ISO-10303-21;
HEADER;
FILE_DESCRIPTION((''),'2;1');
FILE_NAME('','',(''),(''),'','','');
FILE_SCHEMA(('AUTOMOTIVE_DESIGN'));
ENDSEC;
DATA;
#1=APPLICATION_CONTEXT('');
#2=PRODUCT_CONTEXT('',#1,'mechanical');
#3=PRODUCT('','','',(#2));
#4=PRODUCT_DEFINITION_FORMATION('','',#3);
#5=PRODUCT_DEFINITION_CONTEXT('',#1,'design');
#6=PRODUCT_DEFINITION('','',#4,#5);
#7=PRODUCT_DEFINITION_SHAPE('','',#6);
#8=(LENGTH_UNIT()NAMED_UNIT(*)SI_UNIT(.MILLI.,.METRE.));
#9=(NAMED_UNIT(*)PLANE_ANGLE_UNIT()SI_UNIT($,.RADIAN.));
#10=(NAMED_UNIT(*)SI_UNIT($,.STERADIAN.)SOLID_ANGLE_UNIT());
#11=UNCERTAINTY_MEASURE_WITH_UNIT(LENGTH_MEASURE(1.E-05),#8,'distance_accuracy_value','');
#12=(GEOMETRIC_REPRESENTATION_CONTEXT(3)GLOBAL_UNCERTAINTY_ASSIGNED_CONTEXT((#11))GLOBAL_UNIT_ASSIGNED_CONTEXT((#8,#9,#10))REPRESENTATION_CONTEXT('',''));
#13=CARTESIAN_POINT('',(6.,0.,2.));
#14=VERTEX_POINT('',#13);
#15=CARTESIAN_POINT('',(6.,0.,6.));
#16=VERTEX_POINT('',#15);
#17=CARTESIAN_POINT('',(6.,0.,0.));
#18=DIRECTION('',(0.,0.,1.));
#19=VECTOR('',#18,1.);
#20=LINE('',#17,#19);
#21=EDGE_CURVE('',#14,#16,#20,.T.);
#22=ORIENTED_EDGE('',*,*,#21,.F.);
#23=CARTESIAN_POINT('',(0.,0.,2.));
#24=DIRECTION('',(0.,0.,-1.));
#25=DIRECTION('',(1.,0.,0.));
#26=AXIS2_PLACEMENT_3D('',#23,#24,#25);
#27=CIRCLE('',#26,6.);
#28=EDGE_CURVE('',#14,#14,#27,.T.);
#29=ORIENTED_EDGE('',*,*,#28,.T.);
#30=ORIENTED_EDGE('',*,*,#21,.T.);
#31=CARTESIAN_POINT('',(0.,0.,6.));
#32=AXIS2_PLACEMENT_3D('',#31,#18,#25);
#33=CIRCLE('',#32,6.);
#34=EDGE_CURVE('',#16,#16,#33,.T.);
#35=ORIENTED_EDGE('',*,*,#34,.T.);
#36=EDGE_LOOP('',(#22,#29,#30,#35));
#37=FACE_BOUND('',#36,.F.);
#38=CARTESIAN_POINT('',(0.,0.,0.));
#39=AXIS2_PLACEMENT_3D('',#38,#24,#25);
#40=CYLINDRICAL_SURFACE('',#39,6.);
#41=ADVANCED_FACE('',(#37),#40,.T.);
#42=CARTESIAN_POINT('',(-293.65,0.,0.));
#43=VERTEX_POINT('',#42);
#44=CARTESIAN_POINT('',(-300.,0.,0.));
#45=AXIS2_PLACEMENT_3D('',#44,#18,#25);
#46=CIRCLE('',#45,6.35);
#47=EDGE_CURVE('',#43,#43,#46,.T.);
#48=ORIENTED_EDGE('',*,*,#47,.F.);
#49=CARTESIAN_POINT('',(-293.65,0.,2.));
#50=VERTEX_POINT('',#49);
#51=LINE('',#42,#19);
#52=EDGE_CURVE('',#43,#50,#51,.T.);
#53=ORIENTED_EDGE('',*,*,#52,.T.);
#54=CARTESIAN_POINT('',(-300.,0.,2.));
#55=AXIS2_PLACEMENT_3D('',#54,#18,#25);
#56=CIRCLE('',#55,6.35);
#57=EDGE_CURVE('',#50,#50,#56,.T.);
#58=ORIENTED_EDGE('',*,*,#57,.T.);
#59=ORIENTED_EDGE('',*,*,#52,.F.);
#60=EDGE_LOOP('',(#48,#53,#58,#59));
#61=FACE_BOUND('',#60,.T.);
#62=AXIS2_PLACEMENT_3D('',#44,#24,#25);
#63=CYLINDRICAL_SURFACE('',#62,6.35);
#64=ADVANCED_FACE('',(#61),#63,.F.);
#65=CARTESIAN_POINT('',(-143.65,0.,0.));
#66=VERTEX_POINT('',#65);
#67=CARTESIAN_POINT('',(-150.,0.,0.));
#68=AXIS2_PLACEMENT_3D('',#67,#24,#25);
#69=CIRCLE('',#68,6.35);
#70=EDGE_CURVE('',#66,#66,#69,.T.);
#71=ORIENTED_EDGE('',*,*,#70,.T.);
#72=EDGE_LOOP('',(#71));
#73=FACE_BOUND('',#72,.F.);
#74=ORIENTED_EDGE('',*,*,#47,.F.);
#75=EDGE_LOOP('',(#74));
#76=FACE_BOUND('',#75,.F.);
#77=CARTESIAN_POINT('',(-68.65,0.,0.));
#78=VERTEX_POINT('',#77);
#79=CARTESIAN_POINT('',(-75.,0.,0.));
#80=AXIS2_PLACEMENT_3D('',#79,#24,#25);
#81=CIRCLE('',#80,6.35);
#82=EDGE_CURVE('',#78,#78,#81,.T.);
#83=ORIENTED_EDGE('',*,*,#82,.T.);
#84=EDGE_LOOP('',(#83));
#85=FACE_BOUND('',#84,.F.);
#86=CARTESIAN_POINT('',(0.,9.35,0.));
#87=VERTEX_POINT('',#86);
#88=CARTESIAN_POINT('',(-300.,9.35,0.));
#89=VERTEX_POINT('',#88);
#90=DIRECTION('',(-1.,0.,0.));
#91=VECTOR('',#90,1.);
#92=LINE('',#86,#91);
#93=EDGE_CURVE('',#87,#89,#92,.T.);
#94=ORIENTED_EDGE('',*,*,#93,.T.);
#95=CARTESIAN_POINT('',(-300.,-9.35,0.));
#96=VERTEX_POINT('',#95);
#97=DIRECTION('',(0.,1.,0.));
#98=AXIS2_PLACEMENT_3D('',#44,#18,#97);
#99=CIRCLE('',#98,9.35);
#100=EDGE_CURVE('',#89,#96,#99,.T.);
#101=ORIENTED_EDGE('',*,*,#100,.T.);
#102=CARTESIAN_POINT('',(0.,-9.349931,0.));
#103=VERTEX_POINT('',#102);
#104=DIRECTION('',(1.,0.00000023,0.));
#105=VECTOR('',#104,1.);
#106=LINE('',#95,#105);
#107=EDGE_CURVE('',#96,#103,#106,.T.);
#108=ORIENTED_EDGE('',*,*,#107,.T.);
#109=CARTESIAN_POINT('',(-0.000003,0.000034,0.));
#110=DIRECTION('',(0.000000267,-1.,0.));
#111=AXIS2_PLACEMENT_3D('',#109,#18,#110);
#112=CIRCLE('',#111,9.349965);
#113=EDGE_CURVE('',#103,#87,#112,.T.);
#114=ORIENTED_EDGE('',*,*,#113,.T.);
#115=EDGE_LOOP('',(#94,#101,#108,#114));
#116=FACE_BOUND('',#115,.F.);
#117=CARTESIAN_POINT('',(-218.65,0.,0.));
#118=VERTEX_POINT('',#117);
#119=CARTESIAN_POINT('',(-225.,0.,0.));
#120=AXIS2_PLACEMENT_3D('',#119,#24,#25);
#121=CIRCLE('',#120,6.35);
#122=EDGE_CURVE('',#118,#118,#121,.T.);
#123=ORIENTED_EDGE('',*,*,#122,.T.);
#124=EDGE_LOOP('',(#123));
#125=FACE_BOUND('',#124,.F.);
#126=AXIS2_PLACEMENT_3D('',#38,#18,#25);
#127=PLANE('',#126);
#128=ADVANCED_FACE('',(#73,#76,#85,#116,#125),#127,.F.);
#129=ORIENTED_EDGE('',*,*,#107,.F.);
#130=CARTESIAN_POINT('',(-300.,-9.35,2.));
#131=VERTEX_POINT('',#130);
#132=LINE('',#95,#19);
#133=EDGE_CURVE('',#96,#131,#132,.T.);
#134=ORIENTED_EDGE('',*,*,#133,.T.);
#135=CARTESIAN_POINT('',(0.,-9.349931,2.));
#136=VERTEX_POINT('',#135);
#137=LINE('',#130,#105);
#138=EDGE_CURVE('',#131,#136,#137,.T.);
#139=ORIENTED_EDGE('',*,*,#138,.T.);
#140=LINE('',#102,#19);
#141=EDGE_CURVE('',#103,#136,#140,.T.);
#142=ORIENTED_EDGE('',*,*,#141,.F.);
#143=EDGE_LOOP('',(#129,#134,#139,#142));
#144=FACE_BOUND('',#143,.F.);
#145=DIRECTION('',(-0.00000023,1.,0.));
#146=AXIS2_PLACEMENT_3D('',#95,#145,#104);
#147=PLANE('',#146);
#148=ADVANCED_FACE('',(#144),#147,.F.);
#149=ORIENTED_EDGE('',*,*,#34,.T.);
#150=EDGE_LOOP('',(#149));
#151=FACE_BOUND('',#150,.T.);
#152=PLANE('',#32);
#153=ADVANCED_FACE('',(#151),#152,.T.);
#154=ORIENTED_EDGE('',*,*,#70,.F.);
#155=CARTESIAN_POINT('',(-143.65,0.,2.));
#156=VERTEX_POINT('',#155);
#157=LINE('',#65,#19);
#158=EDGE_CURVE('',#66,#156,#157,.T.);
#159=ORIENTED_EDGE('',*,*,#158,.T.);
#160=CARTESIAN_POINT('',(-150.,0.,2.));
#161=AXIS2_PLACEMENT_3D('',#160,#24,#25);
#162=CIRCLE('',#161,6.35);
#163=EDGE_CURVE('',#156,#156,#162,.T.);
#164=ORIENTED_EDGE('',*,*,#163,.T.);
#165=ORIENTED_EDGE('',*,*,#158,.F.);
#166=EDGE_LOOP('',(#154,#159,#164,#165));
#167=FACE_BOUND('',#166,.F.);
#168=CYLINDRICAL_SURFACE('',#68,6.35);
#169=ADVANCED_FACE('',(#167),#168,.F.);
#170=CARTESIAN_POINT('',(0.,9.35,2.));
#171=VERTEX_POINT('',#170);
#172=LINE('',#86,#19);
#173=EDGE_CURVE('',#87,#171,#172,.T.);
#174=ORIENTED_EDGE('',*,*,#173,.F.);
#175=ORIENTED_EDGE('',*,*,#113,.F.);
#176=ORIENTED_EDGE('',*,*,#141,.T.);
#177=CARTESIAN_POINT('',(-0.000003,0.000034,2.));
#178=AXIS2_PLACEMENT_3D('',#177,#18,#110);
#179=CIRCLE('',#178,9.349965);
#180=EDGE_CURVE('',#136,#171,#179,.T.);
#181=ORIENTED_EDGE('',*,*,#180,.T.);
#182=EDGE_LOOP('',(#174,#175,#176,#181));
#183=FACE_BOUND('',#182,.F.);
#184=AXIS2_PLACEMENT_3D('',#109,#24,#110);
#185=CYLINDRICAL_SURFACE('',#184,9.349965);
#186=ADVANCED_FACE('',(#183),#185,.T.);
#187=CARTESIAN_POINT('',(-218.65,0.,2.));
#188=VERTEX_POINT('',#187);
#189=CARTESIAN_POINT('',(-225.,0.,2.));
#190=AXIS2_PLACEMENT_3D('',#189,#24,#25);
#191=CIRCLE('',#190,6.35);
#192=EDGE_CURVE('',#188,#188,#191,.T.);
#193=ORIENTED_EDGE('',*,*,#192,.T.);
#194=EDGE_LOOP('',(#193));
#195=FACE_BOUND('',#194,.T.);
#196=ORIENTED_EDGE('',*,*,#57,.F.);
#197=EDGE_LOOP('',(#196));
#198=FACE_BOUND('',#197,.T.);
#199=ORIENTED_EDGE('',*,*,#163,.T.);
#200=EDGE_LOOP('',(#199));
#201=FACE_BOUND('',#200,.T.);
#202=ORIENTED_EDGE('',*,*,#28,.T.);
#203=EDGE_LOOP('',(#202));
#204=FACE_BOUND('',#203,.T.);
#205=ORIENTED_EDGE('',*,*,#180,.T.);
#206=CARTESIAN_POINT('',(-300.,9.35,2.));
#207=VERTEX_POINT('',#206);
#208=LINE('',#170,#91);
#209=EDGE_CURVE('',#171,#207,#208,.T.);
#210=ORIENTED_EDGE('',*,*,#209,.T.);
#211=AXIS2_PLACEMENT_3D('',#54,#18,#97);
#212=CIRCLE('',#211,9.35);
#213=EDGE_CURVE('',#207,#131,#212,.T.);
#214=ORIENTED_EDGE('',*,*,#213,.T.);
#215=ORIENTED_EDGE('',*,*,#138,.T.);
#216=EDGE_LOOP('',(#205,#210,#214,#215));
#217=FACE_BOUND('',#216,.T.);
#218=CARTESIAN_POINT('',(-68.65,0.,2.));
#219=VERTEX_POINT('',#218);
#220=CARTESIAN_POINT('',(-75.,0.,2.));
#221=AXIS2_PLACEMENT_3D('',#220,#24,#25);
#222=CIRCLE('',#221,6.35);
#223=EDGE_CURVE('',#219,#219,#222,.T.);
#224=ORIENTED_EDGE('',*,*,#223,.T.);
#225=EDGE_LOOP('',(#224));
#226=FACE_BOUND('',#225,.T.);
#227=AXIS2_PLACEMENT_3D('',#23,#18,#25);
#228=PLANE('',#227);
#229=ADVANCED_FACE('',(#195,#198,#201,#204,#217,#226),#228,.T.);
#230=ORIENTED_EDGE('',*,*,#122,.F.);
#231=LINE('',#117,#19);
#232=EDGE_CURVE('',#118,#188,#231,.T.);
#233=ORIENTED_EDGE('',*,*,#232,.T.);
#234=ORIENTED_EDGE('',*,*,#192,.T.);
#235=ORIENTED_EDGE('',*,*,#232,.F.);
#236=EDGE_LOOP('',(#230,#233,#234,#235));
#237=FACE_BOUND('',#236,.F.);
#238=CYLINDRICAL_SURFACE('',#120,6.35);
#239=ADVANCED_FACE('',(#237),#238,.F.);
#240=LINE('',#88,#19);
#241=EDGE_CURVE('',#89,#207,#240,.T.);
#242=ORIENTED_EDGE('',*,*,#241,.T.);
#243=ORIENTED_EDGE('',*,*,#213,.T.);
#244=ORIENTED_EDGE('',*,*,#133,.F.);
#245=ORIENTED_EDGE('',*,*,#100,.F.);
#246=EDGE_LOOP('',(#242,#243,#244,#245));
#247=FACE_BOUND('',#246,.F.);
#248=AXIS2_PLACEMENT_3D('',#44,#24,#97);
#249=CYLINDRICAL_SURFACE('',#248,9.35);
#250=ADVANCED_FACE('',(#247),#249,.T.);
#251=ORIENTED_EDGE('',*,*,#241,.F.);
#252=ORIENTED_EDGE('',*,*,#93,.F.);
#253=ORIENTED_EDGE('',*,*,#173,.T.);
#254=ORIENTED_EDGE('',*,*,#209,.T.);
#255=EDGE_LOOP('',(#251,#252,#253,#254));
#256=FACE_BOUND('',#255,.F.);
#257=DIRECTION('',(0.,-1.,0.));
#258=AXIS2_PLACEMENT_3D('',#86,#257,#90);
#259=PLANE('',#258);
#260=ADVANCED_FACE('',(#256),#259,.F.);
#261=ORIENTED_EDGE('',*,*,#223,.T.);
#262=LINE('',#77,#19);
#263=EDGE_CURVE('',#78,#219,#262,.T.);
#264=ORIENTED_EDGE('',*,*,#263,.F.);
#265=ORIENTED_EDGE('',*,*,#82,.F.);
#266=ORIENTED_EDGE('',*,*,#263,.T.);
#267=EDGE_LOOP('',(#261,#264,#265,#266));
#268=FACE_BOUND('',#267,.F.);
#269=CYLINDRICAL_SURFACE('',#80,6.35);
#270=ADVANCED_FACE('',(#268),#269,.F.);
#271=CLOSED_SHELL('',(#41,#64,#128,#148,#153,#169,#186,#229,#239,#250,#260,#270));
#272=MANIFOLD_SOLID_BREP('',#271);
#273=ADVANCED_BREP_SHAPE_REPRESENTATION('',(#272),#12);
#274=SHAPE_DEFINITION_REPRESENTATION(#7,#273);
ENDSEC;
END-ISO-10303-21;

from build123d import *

# Parameters (mm, degrees)
F0_R     = 6.35
F1_DEPTH = 2
F2_DEPTH = 6


with BuildPart() as f1:
    # F0 (on Top) → F1 (new body)
    with BuildSketch(Plane.XY):
        with BuildLine():
            ThreePointArc((-6, 0), (0, -6), (6, 0))
            ThreePointArc((6, 0), (0, 6), (-6, 0))
        make_face()
        with Locations((-300, 0)):
            Circle(F0_R)
        with BuildLine():
            Line((0, 9.35), (-300, 9.35))
            ThreePointArc((-300, 9.35), (-309.35, 0), (-300, -9.35))
            Line((-300, -9.35), (0, -9.349931))
            ThreePointArc((0, -9.349931), (9.349963, 3.5e-05), (0, 9.35))
        make_face()
        with Locations((-300, 0)):
            Circle(F0_R, mode=Mode.SUBTRACT)
        with BuildLine():
            ThreePointArc((-231.35, 0), (-225, 6.35), (-218.65, 0))
            ThreePointArc((-218.65, 0), (-225, -6.35), (-231.35, 0))
        make_face(mode=Mode.SUBTRACT)
        with BuildLine():
            ThreePointArc((-156.35, 0), (-150, 6.35), (-143.65, 0))
            ThreePointArc((-143.65, 0), (-150, -6.35), (-156.35, 0))
        make_face(mode=Mode.SUBTRACT)
        with BuildLine():
            ThreePointArc((-81.35, 0), (-75, 6.35), (-68.65, 0))
            ThreePointArc((-68.65, 0), (-75, -6.35), (-81.35, 0))
        make_face(mode=Mode.SUBTRACT)
        with BuildLine():
            ThreePointArc((-6, 0), (0, 6), (6, 0))
            ThreePointArc((6, 0), (0, -6), (-6, 0))
        make_face(mode=Mode.SUBTRACT)
    extrude(amount=F1_DEPTH)

    # F0 (on Top) → F2 (join)
    with BuildSketch(Plane.XY):
        with BuildLine():
            ThreePointArc((-6, 0), (0, -6), (6, 0))
            ThreePointArc((6, 0), (0, 6), (-6, 0))
        make_face()
    extrude(amount=F2_DEPTH)


solid = f1.part
